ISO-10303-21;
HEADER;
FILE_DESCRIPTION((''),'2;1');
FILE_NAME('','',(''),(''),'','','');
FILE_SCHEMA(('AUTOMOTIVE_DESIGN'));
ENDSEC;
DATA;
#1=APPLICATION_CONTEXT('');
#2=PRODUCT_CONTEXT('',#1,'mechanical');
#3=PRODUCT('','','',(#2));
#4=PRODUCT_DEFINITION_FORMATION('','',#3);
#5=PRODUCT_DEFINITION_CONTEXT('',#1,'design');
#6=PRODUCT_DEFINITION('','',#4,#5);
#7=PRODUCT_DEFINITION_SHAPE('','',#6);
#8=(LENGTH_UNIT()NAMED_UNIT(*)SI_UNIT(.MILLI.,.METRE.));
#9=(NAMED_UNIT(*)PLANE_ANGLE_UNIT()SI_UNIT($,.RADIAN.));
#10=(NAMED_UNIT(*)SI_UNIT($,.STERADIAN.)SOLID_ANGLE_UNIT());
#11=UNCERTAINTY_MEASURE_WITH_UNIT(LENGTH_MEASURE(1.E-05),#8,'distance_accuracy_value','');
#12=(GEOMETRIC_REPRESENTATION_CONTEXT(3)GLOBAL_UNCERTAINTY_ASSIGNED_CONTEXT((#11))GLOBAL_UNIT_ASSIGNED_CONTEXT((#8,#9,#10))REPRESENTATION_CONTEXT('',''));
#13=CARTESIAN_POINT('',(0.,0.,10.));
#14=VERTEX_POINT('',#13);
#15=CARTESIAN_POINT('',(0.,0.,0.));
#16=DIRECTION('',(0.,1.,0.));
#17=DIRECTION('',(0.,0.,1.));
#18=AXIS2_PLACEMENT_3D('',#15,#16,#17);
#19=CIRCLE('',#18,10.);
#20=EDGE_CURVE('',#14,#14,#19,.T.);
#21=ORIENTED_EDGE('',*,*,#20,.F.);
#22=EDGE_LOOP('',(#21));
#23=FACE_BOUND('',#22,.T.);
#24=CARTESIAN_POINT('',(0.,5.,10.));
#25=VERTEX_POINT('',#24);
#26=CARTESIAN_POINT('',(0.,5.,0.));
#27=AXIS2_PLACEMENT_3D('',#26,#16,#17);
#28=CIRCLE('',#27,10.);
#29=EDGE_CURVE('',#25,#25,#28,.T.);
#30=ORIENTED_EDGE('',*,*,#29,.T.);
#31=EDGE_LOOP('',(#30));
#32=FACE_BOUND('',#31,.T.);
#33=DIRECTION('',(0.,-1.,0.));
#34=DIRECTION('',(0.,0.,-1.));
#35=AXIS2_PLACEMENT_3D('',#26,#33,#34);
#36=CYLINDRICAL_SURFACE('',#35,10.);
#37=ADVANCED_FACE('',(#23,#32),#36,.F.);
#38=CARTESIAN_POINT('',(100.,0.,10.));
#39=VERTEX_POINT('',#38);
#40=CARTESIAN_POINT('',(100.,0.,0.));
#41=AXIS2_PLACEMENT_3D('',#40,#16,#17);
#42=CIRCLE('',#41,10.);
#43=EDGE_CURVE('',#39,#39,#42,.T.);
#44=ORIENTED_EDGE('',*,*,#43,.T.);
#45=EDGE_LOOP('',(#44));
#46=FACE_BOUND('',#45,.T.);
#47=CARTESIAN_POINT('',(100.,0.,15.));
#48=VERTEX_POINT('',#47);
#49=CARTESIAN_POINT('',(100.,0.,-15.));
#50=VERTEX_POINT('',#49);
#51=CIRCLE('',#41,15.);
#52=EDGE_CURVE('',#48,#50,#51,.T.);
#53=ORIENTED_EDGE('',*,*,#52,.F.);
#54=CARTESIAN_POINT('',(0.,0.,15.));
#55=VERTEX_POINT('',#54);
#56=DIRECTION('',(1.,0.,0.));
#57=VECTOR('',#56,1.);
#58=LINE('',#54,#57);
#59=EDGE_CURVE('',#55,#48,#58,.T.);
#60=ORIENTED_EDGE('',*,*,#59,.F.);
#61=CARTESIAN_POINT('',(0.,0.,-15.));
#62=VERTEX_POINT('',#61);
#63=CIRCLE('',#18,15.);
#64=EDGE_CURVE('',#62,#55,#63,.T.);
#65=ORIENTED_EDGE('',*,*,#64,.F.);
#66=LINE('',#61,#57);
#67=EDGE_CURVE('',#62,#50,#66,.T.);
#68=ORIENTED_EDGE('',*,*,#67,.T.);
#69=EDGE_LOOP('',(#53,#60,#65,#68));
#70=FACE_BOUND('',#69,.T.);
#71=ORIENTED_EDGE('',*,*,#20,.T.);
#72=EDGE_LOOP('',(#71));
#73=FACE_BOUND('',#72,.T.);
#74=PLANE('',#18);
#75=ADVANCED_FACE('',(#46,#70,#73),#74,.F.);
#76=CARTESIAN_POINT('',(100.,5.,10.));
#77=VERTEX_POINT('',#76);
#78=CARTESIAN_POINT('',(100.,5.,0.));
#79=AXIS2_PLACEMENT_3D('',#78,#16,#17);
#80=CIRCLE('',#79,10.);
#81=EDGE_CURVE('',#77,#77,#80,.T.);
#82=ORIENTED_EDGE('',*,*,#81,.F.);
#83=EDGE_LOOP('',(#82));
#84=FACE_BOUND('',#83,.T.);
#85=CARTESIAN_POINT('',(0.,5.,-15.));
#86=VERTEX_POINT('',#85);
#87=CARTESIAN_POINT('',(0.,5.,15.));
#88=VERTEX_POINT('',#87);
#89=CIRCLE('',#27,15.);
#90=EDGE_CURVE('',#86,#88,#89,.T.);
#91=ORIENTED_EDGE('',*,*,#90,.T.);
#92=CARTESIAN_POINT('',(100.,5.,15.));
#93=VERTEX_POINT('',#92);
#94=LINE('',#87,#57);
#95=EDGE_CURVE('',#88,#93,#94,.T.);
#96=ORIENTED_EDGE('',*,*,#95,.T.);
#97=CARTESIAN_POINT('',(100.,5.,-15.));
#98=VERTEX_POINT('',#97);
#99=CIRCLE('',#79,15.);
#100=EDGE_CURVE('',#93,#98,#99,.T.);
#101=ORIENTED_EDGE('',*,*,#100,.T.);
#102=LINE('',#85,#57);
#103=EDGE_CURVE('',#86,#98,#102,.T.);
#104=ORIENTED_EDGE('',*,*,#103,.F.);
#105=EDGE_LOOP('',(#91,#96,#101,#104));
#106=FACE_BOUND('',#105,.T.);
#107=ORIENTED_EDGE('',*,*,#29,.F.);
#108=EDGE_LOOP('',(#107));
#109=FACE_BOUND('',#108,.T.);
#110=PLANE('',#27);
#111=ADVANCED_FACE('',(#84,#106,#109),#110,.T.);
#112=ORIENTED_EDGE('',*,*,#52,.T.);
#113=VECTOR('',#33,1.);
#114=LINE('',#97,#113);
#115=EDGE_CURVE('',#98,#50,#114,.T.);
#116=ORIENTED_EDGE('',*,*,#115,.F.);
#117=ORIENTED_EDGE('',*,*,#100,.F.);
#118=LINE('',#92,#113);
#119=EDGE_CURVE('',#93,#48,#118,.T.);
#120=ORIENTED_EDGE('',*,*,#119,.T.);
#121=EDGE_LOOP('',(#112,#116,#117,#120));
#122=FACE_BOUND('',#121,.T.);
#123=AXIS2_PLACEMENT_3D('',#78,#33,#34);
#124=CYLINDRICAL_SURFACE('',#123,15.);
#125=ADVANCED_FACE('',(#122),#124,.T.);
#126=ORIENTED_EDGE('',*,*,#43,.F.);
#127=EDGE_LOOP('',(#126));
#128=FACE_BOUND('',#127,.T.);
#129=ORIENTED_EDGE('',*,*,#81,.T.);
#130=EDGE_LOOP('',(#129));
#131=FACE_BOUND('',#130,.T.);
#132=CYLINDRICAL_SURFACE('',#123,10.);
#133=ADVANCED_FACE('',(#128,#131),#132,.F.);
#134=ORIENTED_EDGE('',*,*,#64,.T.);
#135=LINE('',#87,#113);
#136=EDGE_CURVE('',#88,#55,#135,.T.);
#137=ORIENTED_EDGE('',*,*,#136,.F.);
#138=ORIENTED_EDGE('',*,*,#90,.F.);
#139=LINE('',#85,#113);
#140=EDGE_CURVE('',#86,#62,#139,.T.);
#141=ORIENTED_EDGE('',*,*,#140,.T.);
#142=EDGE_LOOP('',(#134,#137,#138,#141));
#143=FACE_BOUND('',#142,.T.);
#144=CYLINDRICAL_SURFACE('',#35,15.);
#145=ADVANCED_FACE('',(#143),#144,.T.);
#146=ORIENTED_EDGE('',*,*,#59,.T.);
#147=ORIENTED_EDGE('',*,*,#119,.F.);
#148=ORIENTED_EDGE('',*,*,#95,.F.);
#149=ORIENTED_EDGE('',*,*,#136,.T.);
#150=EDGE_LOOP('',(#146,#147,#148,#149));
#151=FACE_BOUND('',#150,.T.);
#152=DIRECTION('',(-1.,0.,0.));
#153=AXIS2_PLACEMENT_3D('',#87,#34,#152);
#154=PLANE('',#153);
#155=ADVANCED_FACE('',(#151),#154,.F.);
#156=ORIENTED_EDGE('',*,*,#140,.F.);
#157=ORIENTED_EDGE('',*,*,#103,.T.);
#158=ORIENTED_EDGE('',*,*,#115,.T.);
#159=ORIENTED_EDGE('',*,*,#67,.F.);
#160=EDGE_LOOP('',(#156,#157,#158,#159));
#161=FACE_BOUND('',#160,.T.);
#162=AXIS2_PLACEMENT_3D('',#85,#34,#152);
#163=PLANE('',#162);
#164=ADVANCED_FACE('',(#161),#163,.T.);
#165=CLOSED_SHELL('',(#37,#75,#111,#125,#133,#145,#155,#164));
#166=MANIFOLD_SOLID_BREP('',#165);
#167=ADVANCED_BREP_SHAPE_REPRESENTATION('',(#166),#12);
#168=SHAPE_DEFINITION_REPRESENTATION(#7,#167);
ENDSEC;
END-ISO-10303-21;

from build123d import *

# Parameters (mm, degrees)
SKETCH1_R           = 10
BOSS_EXTRUDE1_DEPTH = 5


with BuildPart() as part:
    # Sketch1 → Boss-Extrude1 (new body)
    with BuildSketch(Plane(origin=(0, 0, 0), x_dir=(1, 0, 0), z_dir=(0, 1, 0))):
        with BuildLine():
            Line((0, -15), (100, -15))
            ThreePointArc((100, -15), (115, 0), (100, 15))
            Line((100, 15), (0, 15))
            ThreePointArc((0, 15), (-15, 0), (0, -15))
        make_face()
        with Locations(Location((100, 0, 0), (0, 0, 270))):
            Circle(SKETCH1_R, mode=Mode.SUBTRACT)
        with Locations(Location((0, 0, 0), (0, 0, 270))):
            Circle(SKETCH1_R, mode=Mode.SUBTRACT)
    extrude(amount=BOSS_EXTRUDE1_DEPTH)


solid = part.part
